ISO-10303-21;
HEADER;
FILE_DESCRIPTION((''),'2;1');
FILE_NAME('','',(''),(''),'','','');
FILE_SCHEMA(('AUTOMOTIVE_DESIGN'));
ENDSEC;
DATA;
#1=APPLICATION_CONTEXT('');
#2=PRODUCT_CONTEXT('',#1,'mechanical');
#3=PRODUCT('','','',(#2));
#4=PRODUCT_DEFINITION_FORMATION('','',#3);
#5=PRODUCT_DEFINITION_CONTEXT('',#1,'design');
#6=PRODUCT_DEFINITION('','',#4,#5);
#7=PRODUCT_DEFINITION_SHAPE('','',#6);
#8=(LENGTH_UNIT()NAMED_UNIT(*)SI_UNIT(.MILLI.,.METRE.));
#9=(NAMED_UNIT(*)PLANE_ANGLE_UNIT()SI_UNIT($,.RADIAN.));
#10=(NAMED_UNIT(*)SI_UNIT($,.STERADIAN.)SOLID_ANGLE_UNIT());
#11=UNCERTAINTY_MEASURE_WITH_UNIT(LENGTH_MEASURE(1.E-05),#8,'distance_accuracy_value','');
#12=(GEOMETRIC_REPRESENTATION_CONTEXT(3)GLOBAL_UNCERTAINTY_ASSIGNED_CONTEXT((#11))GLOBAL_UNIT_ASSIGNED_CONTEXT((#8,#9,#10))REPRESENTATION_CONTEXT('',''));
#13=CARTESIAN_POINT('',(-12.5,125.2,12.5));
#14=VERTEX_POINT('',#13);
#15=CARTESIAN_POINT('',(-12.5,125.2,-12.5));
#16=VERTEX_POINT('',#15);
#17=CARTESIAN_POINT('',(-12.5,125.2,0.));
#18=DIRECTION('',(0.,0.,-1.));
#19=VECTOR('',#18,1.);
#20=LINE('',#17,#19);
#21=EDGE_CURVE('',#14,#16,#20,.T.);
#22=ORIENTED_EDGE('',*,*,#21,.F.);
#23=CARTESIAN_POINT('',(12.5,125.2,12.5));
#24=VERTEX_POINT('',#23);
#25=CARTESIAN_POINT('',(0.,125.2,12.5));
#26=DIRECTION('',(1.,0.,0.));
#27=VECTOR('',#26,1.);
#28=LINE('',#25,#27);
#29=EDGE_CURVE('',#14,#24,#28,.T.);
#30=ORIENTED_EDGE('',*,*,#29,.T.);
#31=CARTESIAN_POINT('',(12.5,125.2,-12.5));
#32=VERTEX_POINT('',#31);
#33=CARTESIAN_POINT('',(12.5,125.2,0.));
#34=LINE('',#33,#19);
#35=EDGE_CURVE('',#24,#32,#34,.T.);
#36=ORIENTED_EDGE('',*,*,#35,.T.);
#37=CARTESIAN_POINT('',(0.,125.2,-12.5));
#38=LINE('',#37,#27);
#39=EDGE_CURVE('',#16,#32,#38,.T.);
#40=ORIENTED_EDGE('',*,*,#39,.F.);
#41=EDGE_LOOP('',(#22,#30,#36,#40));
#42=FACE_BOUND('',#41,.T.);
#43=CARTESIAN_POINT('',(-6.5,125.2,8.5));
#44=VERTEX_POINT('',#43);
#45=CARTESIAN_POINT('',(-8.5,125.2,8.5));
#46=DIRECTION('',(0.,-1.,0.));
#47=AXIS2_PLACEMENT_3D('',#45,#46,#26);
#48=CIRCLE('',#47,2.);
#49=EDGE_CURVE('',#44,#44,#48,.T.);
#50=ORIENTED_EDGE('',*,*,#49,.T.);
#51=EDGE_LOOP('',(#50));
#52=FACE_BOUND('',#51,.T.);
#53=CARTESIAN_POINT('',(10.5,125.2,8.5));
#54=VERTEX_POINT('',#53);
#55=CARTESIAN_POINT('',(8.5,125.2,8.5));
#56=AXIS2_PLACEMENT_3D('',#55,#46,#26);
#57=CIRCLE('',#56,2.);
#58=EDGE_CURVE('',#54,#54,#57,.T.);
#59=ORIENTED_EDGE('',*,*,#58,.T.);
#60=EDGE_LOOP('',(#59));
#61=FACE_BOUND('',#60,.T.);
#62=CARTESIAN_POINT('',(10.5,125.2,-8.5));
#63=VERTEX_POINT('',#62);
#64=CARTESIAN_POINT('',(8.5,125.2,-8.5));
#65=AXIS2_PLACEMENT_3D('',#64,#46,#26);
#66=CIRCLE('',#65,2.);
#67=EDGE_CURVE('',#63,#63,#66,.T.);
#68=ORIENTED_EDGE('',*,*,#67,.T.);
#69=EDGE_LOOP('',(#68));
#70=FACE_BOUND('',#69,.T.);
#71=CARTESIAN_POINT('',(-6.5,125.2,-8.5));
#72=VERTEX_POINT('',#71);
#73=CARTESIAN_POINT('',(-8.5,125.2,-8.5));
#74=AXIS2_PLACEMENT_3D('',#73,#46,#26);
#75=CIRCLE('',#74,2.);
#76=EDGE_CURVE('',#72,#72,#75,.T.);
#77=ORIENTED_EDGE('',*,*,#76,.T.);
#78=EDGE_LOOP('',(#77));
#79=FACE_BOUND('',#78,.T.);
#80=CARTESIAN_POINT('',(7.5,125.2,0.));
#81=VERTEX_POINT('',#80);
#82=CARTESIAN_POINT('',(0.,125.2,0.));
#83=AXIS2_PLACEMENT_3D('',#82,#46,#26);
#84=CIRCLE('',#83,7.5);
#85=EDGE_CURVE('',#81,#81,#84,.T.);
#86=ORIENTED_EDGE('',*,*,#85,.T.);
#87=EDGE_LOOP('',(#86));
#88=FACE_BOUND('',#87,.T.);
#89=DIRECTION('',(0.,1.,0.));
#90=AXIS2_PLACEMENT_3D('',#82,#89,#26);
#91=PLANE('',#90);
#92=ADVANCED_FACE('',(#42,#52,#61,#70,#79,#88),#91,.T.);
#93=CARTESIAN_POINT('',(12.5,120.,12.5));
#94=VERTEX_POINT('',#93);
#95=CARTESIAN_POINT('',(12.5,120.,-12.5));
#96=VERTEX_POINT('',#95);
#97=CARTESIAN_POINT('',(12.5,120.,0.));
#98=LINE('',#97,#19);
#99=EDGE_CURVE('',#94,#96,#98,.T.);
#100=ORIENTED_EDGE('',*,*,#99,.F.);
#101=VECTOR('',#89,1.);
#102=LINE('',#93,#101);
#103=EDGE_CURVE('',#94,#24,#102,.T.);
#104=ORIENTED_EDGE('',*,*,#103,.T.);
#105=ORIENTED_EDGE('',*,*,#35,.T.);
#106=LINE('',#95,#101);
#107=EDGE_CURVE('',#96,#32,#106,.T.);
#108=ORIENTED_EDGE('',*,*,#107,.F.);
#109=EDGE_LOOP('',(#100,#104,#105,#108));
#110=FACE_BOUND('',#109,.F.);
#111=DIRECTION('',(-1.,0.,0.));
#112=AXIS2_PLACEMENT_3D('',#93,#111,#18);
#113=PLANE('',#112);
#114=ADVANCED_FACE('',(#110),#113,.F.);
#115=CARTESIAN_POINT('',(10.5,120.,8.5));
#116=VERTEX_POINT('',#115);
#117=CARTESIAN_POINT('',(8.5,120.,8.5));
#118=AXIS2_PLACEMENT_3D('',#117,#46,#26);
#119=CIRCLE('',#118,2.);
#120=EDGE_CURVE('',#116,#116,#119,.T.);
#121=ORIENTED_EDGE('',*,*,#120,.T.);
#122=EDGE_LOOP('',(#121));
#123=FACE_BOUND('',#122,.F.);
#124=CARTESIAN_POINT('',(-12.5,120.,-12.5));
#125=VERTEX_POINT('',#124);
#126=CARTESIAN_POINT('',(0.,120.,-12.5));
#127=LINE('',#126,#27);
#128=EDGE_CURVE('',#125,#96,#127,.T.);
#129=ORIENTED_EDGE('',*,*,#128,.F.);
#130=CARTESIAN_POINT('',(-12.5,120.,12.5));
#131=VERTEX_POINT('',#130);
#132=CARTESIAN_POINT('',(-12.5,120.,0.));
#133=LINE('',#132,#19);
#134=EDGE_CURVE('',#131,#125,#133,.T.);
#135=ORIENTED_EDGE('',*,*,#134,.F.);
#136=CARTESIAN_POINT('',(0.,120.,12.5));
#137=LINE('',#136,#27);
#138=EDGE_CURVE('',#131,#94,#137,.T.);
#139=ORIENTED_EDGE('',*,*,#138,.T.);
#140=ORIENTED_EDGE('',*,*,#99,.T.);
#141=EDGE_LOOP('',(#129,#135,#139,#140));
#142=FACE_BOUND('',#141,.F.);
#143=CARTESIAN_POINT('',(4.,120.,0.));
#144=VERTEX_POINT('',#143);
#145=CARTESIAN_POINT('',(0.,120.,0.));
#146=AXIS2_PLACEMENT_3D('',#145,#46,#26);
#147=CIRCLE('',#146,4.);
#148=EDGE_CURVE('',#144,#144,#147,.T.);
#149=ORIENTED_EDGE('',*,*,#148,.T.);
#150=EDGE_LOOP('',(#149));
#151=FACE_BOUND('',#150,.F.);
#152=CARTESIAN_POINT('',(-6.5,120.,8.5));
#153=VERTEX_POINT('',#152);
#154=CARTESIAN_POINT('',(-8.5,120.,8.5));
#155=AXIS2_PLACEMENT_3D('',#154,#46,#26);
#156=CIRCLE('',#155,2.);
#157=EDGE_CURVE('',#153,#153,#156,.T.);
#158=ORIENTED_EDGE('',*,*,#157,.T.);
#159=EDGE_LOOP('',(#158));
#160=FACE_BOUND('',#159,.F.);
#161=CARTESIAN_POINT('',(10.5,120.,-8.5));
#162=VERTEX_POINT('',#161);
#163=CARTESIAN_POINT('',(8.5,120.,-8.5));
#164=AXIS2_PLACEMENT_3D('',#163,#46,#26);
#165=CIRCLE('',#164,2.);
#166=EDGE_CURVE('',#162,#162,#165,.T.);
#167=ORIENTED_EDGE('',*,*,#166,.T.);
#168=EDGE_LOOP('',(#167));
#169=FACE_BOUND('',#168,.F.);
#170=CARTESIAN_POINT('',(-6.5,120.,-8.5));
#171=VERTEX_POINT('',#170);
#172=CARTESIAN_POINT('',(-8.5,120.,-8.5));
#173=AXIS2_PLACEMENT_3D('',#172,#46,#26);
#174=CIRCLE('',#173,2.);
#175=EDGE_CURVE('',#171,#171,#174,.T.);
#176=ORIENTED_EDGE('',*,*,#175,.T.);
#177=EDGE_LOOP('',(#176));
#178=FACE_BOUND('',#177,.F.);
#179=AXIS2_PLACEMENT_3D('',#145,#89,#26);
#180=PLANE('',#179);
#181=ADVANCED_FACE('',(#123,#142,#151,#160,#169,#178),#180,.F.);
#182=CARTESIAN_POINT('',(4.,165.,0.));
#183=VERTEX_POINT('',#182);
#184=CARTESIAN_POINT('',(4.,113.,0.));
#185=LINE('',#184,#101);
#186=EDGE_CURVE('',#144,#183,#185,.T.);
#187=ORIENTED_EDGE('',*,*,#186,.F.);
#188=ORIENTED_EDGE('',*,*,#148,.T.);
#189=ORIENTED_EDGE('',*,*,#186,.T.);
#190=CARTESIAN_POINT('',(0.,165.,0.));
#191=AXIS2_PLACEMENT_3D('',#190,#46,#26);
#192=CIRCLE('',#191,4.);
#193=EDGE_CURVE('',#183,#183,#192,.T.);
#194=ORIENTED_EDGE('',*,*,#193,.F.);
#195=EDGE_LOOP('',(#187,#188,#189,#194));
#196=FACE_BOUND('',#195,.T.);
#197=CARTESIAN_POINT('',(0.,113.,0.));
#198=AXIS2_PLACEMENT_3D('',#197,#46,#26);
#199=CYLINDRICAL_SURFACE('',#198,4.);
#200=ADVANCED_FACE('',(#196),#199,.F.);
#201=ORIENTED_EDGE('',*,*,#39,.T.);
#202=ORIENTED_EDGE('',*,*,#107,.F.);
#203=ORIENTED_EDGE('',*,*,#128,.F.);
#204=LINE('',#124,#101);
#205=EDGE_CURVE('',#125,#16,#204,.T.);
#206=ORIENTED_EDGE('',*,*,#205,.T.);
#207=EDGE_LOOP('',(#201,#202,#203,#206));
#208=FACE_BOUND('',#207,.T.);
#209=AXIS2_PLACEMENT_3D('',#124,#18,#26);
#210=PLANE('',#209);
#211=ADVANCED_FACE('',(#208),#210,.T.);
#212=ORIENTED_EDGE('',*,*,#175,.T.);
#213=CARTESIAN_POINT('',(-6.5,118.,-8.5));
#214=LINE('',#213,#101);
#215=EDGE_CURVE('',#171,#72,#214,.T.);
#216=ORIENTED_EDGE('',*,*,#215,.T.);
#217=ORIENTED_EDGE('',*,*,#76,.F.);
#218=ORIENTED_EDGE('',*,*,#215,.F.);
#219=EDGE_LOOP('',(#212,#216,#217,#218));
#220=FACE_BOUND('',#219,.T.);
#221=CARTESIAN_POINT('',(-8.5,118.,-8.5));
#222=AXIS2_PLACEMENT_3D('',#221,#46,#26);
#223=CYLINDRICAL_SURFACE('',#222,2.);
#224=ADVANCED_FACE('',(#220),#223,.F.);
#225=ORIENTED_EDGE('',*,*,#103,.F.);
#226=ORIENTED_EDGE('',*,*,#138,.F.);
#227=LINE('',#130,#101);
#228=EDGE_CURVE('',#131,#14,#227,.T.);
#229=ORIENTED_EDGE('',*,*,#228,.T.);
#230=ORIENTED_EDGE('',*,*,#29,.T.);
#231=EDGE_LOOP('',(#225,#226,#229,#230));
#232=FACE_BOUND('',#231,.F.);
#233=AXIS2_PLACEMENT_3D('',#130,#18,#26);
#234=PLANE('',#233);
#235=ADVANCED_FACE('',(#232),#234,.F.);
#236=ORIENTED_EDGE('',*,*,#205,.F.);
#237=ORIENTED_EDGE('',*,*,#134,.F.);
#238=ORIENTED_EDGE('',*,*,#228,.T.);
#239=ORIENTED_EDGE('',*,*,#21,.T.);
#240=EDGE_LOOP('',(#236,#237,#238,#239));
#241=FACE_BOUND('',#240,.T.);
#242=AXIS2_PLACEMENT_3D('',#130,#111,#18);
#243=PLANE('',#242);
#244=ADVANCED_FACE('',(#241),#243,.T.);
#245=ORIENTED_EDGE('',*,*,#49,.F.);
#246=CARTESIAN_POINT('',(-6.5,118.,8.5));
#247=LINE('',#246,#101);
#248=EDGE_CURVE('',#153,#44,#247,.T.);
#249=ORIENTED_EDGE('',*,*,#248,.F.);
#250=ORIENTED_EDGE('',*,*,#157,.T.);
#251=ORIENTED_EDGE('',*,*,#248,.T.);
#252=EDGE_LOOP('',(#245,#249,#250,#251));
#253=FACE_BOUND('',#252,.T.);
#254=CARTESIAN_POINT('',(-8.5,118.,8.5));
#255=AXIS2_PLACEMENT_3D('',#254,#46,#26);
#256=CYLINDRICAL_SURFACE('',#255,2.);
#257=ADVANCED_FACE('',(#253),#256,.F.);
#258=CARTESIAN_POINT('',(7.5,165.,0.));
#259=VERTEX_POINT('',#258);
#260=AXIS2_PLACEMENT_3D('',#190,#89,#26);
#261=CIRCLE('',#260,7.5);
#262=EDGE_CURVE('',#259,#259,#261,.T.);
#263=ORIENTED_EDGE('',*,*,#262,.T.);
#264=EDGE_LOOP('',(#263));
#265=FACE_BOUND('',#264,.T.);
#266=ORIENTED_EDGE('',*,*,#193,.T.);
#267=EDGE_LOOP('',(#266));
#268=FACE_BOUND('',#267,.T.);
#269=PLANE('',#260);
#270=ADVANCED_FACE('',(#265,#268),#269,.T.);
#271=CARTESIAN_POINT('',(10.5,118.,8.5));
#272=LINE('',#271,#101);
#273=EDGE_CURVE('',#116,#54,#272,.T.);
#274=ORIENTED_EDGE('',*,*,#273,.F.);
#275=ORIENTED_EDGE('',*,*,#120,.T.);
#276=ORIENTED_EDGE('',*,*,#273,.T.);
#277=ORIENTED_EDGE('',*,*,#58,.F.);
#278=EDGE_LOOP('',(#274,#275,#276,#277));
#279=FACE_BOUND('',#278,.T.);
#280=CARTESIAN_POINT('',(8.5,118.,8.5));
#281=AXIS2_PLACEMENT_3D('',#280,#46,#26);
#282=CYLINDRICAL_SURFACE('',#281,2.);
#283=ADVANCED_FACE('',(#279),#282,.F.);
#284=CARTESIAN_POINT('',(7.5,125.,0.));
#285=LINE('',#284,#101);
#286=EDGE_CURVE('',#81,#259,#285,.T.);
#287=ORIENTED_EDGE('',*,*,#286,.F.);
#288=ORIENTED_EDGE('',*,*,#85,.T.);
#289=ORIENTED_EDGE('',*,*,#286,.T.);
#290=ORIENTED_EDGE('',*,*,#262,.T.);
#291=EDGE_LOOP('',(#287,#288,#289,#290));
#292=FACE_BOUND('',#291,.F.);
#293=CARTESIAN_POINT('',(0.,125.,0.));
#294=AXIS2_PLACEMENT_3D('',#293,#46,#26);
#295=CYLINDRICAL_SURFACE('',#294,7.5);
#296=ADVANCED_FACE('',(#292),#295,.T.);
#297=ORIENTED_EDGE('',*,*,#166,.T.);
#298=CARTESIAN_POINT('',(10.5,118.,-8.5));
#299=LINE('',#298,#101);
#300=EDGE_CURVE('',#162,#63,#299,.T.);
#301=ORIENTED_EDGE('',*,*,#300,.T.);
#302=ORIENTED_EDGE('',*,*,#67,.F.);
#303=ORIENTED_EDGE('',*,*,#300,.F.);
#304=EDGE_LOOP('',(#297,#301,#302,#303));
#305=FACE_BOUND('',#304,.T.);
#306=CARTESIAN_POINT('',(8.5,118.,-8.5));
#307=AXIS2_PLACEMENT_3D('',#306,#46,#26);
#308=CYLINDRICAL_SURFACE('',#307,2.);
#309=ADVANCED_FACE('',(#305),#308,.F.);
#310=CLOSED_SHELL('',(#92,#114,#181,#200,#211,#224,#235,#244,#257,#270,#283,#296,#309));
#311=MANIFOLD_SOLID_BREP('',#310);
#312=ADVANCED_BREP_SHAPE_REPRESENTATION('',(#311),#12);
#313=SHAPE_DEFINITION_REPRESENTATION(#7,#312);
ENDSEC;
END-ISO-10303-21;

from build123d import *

# Parameters (mm, degrees)
CYLINDER006_R          = 2
CYLINDER006_DEPTH      = 10
CYLINDER007_R          = 2
CYLINDER007_DEPTH      = 10
CYLINDER052_R          = 2
CYLINDER052_DEPTH      = 10
CYLINDER055_R          = 2
CYLINDER055_DEPTH      = 10
CYLINDER054_R          = 4
CYLINDER054_DEPTH      = 60
CYLINDER053_R          = 7.5
CYLINDER053_DEPTH      = 40
BOX019_W               = 25
BOX019_H               = 25
BOX019_DEPTH           = 5.2
CUT004_PLACEMENT_ANGLE = 90


with BuildPart() as cylinder006:
    # Cylinder006 → Cylinder006 (new body)
    with BuildSketch(Plane(origin=(21, 21, -2), x_dir=(1, 0, 0), z_dir=(0, 0, 1))):
        Circle(CYLINDER006_R)
    extrude(amount=CYLINDER006_DEPTH)


with BuildPart() as cylinder007:
    # Cylinder007 → Cylinder007 (new body)
    with BuildSketch(Plane(origin=(21, 4, -2), x_dir=(1, 0, 0), z_dir=(0, 0, 1))):
        Circle(CYLINDER007_R)
    extrude(amount=CYLINDER007_DEPTH)


with BuildPart() as cylinder052:
    # Cylinder052 → Cylinder052 (new body)
    with BuildSketch(Plane(origin=(4, 21, -2), x_dir=(1, 0, 0), z_dir=(0, 0, 1))):
        Circle(CYLINDER052_R)
    extrude(amount=CYLINDER052_DEPTH)


with BuildPart() as cylinder055:
    # Cylinder055 → Cylinder055 (new body)
    with BuildSketch(Plane(origin=(4, 4, -2), x_dir=(1, 0, 0), z_dir=(0, 0, 1))):
        Circle(CYLINDER055_R)
    extrude(amount=CYLINDER055_DEPTH)


with BuildPart() as cylinder054:
    # Cylinder054 → Cylinder054 (new body)
    with BuildSketch(Plane(origin=(12.5, 12.5, -7), x_dir=(1, 0, 0), z_dir=(0, 0, 1))):
        Circle(CYLINDER054_R)
    extrude(amount=CYLINDER054_DEPTH)


with BuildPart() as cylinder053:
    # Cylinder053 → Cylinder053 (new body)
    with BuildSketch(Plane(origin=(12.5, 12.5, 5), x_dir=(1, 0, 0), z_dir=(0, 0, 1))):
        Circle(CYLINDER053_R)
    extrude(amount=CYLINDER053_DEPTH)


with BuildPart() as cut004:
    # Box019 → Box019 (new body)
    with BuildSketch(Plane.XY):
        with Locations((12.5, 12.5)):
            Rectangle(BOX019_W, BOX019_H)
    extrude(amount=BOX019_DEPTH)

    # Fusion022: union Cylinder053
    add(cylinder053.part)

    # Cut: cut Cylinder054
    add(cylinder054.part, mode=Mode.SUBTRACT)

    # Cut001: cut Cylinder055
    add(cylinder055.part, mode=Mode.SUBTRACT)

    # Cut002: cut Cylinder052
    add(cylinder052.part, mode=Mode.SUBTRACT)

    # Cut003: cut Cylinder007
    add(cylinder007.part, mode=Mode.SUBTRACT)

    # Cut004: cut Cylinder006
    add(cylinder006.part, mode=Mode.SUBTRACT)


with BuildPart() as cut004_1:
    # Cut004 placement: moved
    add(cut004.part.moved(Location((-12.5, 120, 12.5))).rotate(Axis((-12.5, 120, 12.5), (-1, 0, 0)), CUT004_PLACEMENT_ANGLE))


solid = cut004_1.part
